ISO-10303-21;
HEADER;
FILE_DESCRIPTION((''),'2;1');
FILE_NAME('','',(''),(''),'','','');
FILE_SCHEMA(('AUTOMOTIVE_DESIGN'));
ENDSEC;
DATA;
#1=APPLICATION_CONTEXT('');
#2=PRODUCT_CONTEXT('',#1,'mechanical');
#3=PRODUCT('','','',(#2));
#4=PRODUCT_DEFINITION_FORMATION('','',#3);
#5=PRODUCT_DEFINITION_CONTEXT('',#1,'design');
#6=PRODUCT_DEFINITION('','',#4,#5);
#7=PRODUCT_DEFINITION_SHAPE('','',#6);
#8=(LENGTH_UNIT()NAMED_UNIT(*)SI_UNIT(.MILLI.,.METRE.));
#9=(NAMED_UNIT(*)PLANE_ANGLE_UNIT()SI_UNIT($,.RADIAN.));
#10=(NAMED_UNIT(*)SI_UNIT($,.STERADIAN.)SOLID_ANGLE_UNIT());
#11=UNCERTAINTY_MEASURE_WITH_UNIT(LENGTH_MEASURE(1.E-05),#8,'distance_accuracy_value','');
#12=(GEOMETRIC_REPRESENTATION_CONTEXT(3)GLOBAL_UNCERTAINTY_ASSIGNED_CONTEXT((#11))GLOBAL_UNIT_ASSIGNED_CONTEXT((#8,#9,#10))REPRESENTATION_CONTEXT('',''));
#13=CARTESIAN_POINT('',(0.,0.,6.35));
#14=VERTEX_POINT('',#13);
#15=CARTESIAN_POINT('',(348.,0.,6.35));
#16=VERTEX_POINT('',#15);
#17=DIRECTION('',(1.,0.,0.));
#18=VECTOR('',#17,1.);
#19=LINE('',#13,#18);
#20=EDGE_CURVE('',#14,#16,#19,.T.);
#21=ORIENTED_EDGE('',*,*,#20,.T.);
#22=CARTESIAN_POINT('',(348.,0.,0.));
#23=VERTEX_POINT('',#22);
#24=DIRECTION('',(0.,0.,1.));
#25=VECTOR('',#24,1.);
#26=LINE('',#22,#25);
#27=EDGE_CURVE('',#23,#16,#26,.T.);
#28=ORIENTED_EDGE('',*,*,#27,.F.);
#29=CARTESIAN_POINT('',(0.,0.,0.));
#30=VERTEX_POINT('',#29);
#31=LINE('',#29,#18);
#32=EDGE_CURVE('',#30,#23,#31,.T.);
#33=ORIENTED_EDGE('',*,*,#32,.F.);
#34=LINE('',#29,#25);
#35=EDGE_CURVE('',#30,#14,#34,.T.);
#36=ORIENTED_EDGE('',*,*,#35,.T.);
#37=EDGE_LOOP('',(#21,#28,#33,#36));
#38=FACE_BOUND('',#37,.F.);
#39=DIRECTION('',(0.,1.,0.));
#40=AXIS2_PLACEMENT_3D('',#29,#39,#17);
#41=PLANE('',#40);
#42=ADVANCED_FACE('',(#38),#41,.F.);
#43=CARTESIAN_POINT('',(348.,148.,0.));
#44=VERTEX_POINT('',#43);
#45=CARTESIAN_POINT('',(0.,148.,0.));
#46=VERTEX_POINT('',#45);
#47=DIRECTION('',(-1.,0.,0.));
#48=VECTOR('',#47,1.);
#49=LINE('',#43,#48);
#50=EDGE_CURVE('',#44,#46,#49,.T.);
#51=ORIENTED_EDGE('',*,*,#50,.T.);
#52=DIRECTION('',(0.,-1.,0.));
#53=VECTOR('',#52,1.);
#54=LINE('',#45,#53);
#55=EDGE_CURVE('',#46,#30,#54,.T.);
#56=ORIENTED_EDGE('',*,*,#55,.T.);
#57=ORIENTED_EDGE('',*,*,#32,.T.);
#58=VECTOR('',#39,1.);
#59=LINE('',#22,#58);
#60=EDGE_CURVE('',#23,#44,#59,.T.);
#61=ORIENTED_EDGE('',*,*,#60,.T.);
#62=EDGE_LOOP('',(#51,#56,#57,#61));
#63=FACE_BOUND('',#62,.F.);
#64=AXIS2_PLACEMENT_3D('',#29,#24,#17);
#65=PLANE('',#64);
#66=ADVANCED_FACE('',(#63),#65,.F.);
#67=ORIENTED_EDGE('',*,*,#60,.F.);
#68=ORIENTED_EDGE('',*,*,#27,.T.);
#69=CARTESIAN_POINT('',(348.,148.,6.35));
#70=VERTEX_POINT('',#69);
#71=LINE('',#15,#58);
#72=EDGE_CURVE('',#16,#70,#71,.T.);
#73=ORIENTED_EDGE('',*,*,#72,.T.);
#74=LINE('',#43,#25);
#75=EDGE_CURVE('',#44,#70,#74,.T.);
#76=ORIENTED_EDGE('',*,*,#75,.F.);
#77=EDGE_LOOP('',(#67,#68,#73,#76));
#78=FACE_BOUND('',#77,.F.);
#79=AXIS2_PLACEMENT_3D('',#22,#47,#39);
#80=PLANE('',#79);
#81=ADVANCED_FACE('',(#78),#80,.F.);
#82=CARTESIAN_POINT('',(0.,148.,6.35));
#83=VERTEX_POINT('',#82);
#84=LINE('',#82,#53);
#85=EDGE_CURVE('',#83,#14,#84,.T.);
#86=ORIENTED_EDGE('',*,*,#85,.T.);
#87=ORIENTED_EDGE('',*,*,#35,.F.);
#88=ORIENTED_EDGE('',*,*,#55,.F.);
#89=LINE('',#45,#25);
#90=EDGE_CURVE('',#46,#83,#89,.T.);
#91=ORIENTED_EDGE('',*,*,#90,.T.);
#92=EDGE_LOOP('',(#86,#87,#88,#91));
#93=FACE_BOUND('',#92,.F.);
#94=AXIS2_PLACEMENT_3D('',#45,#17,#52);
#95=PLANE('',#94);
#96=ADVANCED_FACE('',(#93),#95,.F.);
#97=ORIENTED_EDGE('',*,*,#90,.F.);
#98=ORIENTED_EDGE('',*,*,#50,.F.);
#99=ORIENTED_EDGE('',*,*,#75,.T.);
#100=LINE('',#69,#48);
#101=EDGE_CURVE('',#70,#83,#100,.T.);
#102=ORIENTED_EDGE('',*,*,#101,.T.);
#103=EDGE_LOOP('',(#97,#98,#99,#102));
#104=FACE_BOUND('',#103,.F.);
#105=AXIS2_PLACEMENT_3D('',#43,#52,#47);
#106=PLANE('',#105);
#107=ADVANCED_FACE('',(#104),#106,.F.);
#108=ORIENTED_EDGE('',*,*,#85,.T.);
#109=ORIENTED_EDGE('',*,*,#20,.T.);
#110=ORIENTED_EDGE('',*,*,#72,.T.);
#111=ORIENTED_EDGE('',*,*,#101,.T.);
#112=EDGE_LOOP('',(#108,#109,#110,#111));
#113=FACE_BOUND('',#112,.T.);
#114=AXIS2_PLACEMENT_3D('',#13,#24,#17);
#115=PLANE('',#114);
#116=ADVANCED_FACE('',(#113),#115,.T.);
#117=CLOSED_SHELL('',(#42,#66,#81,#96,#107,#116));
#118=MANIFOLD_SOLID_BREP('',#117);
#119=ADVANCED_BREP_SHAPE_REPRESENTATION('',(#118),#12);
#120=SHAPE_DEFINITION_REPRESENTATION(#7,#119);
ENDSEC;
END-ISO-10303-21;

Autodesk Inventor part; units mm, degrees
ref_plane "YZ Plane" through (0, 0, 0) normal (1, 0, 0) x (0, 1, 0)
ref_plane "XZ Plane" through (0, 0, 0) normal (0, 1, 0) x (-1, 0, 0)
ref_plane "XY Plane" through (0, 0, 0) normal (0, 0, 1) x (1, 0, 0)
sketch "Sketch1" plane through (0, 0, 0) normal (0, 0, 1) x (1, 0, 0)
  line L0 (0, 0) -> (348, 0)
  line L1 (348, 0) -> (348, 148)
  line L2 (348, 148) -> (0, 148)
  line L3 (0, 148) -> (0, 0)
  dimension "d0" = 148
  dimension "d1" = 348
extrude "Extrusion1" add sketch "Sketch1" along normal blind 6.35
properties part number "BA26" material "ABS Plastic"
